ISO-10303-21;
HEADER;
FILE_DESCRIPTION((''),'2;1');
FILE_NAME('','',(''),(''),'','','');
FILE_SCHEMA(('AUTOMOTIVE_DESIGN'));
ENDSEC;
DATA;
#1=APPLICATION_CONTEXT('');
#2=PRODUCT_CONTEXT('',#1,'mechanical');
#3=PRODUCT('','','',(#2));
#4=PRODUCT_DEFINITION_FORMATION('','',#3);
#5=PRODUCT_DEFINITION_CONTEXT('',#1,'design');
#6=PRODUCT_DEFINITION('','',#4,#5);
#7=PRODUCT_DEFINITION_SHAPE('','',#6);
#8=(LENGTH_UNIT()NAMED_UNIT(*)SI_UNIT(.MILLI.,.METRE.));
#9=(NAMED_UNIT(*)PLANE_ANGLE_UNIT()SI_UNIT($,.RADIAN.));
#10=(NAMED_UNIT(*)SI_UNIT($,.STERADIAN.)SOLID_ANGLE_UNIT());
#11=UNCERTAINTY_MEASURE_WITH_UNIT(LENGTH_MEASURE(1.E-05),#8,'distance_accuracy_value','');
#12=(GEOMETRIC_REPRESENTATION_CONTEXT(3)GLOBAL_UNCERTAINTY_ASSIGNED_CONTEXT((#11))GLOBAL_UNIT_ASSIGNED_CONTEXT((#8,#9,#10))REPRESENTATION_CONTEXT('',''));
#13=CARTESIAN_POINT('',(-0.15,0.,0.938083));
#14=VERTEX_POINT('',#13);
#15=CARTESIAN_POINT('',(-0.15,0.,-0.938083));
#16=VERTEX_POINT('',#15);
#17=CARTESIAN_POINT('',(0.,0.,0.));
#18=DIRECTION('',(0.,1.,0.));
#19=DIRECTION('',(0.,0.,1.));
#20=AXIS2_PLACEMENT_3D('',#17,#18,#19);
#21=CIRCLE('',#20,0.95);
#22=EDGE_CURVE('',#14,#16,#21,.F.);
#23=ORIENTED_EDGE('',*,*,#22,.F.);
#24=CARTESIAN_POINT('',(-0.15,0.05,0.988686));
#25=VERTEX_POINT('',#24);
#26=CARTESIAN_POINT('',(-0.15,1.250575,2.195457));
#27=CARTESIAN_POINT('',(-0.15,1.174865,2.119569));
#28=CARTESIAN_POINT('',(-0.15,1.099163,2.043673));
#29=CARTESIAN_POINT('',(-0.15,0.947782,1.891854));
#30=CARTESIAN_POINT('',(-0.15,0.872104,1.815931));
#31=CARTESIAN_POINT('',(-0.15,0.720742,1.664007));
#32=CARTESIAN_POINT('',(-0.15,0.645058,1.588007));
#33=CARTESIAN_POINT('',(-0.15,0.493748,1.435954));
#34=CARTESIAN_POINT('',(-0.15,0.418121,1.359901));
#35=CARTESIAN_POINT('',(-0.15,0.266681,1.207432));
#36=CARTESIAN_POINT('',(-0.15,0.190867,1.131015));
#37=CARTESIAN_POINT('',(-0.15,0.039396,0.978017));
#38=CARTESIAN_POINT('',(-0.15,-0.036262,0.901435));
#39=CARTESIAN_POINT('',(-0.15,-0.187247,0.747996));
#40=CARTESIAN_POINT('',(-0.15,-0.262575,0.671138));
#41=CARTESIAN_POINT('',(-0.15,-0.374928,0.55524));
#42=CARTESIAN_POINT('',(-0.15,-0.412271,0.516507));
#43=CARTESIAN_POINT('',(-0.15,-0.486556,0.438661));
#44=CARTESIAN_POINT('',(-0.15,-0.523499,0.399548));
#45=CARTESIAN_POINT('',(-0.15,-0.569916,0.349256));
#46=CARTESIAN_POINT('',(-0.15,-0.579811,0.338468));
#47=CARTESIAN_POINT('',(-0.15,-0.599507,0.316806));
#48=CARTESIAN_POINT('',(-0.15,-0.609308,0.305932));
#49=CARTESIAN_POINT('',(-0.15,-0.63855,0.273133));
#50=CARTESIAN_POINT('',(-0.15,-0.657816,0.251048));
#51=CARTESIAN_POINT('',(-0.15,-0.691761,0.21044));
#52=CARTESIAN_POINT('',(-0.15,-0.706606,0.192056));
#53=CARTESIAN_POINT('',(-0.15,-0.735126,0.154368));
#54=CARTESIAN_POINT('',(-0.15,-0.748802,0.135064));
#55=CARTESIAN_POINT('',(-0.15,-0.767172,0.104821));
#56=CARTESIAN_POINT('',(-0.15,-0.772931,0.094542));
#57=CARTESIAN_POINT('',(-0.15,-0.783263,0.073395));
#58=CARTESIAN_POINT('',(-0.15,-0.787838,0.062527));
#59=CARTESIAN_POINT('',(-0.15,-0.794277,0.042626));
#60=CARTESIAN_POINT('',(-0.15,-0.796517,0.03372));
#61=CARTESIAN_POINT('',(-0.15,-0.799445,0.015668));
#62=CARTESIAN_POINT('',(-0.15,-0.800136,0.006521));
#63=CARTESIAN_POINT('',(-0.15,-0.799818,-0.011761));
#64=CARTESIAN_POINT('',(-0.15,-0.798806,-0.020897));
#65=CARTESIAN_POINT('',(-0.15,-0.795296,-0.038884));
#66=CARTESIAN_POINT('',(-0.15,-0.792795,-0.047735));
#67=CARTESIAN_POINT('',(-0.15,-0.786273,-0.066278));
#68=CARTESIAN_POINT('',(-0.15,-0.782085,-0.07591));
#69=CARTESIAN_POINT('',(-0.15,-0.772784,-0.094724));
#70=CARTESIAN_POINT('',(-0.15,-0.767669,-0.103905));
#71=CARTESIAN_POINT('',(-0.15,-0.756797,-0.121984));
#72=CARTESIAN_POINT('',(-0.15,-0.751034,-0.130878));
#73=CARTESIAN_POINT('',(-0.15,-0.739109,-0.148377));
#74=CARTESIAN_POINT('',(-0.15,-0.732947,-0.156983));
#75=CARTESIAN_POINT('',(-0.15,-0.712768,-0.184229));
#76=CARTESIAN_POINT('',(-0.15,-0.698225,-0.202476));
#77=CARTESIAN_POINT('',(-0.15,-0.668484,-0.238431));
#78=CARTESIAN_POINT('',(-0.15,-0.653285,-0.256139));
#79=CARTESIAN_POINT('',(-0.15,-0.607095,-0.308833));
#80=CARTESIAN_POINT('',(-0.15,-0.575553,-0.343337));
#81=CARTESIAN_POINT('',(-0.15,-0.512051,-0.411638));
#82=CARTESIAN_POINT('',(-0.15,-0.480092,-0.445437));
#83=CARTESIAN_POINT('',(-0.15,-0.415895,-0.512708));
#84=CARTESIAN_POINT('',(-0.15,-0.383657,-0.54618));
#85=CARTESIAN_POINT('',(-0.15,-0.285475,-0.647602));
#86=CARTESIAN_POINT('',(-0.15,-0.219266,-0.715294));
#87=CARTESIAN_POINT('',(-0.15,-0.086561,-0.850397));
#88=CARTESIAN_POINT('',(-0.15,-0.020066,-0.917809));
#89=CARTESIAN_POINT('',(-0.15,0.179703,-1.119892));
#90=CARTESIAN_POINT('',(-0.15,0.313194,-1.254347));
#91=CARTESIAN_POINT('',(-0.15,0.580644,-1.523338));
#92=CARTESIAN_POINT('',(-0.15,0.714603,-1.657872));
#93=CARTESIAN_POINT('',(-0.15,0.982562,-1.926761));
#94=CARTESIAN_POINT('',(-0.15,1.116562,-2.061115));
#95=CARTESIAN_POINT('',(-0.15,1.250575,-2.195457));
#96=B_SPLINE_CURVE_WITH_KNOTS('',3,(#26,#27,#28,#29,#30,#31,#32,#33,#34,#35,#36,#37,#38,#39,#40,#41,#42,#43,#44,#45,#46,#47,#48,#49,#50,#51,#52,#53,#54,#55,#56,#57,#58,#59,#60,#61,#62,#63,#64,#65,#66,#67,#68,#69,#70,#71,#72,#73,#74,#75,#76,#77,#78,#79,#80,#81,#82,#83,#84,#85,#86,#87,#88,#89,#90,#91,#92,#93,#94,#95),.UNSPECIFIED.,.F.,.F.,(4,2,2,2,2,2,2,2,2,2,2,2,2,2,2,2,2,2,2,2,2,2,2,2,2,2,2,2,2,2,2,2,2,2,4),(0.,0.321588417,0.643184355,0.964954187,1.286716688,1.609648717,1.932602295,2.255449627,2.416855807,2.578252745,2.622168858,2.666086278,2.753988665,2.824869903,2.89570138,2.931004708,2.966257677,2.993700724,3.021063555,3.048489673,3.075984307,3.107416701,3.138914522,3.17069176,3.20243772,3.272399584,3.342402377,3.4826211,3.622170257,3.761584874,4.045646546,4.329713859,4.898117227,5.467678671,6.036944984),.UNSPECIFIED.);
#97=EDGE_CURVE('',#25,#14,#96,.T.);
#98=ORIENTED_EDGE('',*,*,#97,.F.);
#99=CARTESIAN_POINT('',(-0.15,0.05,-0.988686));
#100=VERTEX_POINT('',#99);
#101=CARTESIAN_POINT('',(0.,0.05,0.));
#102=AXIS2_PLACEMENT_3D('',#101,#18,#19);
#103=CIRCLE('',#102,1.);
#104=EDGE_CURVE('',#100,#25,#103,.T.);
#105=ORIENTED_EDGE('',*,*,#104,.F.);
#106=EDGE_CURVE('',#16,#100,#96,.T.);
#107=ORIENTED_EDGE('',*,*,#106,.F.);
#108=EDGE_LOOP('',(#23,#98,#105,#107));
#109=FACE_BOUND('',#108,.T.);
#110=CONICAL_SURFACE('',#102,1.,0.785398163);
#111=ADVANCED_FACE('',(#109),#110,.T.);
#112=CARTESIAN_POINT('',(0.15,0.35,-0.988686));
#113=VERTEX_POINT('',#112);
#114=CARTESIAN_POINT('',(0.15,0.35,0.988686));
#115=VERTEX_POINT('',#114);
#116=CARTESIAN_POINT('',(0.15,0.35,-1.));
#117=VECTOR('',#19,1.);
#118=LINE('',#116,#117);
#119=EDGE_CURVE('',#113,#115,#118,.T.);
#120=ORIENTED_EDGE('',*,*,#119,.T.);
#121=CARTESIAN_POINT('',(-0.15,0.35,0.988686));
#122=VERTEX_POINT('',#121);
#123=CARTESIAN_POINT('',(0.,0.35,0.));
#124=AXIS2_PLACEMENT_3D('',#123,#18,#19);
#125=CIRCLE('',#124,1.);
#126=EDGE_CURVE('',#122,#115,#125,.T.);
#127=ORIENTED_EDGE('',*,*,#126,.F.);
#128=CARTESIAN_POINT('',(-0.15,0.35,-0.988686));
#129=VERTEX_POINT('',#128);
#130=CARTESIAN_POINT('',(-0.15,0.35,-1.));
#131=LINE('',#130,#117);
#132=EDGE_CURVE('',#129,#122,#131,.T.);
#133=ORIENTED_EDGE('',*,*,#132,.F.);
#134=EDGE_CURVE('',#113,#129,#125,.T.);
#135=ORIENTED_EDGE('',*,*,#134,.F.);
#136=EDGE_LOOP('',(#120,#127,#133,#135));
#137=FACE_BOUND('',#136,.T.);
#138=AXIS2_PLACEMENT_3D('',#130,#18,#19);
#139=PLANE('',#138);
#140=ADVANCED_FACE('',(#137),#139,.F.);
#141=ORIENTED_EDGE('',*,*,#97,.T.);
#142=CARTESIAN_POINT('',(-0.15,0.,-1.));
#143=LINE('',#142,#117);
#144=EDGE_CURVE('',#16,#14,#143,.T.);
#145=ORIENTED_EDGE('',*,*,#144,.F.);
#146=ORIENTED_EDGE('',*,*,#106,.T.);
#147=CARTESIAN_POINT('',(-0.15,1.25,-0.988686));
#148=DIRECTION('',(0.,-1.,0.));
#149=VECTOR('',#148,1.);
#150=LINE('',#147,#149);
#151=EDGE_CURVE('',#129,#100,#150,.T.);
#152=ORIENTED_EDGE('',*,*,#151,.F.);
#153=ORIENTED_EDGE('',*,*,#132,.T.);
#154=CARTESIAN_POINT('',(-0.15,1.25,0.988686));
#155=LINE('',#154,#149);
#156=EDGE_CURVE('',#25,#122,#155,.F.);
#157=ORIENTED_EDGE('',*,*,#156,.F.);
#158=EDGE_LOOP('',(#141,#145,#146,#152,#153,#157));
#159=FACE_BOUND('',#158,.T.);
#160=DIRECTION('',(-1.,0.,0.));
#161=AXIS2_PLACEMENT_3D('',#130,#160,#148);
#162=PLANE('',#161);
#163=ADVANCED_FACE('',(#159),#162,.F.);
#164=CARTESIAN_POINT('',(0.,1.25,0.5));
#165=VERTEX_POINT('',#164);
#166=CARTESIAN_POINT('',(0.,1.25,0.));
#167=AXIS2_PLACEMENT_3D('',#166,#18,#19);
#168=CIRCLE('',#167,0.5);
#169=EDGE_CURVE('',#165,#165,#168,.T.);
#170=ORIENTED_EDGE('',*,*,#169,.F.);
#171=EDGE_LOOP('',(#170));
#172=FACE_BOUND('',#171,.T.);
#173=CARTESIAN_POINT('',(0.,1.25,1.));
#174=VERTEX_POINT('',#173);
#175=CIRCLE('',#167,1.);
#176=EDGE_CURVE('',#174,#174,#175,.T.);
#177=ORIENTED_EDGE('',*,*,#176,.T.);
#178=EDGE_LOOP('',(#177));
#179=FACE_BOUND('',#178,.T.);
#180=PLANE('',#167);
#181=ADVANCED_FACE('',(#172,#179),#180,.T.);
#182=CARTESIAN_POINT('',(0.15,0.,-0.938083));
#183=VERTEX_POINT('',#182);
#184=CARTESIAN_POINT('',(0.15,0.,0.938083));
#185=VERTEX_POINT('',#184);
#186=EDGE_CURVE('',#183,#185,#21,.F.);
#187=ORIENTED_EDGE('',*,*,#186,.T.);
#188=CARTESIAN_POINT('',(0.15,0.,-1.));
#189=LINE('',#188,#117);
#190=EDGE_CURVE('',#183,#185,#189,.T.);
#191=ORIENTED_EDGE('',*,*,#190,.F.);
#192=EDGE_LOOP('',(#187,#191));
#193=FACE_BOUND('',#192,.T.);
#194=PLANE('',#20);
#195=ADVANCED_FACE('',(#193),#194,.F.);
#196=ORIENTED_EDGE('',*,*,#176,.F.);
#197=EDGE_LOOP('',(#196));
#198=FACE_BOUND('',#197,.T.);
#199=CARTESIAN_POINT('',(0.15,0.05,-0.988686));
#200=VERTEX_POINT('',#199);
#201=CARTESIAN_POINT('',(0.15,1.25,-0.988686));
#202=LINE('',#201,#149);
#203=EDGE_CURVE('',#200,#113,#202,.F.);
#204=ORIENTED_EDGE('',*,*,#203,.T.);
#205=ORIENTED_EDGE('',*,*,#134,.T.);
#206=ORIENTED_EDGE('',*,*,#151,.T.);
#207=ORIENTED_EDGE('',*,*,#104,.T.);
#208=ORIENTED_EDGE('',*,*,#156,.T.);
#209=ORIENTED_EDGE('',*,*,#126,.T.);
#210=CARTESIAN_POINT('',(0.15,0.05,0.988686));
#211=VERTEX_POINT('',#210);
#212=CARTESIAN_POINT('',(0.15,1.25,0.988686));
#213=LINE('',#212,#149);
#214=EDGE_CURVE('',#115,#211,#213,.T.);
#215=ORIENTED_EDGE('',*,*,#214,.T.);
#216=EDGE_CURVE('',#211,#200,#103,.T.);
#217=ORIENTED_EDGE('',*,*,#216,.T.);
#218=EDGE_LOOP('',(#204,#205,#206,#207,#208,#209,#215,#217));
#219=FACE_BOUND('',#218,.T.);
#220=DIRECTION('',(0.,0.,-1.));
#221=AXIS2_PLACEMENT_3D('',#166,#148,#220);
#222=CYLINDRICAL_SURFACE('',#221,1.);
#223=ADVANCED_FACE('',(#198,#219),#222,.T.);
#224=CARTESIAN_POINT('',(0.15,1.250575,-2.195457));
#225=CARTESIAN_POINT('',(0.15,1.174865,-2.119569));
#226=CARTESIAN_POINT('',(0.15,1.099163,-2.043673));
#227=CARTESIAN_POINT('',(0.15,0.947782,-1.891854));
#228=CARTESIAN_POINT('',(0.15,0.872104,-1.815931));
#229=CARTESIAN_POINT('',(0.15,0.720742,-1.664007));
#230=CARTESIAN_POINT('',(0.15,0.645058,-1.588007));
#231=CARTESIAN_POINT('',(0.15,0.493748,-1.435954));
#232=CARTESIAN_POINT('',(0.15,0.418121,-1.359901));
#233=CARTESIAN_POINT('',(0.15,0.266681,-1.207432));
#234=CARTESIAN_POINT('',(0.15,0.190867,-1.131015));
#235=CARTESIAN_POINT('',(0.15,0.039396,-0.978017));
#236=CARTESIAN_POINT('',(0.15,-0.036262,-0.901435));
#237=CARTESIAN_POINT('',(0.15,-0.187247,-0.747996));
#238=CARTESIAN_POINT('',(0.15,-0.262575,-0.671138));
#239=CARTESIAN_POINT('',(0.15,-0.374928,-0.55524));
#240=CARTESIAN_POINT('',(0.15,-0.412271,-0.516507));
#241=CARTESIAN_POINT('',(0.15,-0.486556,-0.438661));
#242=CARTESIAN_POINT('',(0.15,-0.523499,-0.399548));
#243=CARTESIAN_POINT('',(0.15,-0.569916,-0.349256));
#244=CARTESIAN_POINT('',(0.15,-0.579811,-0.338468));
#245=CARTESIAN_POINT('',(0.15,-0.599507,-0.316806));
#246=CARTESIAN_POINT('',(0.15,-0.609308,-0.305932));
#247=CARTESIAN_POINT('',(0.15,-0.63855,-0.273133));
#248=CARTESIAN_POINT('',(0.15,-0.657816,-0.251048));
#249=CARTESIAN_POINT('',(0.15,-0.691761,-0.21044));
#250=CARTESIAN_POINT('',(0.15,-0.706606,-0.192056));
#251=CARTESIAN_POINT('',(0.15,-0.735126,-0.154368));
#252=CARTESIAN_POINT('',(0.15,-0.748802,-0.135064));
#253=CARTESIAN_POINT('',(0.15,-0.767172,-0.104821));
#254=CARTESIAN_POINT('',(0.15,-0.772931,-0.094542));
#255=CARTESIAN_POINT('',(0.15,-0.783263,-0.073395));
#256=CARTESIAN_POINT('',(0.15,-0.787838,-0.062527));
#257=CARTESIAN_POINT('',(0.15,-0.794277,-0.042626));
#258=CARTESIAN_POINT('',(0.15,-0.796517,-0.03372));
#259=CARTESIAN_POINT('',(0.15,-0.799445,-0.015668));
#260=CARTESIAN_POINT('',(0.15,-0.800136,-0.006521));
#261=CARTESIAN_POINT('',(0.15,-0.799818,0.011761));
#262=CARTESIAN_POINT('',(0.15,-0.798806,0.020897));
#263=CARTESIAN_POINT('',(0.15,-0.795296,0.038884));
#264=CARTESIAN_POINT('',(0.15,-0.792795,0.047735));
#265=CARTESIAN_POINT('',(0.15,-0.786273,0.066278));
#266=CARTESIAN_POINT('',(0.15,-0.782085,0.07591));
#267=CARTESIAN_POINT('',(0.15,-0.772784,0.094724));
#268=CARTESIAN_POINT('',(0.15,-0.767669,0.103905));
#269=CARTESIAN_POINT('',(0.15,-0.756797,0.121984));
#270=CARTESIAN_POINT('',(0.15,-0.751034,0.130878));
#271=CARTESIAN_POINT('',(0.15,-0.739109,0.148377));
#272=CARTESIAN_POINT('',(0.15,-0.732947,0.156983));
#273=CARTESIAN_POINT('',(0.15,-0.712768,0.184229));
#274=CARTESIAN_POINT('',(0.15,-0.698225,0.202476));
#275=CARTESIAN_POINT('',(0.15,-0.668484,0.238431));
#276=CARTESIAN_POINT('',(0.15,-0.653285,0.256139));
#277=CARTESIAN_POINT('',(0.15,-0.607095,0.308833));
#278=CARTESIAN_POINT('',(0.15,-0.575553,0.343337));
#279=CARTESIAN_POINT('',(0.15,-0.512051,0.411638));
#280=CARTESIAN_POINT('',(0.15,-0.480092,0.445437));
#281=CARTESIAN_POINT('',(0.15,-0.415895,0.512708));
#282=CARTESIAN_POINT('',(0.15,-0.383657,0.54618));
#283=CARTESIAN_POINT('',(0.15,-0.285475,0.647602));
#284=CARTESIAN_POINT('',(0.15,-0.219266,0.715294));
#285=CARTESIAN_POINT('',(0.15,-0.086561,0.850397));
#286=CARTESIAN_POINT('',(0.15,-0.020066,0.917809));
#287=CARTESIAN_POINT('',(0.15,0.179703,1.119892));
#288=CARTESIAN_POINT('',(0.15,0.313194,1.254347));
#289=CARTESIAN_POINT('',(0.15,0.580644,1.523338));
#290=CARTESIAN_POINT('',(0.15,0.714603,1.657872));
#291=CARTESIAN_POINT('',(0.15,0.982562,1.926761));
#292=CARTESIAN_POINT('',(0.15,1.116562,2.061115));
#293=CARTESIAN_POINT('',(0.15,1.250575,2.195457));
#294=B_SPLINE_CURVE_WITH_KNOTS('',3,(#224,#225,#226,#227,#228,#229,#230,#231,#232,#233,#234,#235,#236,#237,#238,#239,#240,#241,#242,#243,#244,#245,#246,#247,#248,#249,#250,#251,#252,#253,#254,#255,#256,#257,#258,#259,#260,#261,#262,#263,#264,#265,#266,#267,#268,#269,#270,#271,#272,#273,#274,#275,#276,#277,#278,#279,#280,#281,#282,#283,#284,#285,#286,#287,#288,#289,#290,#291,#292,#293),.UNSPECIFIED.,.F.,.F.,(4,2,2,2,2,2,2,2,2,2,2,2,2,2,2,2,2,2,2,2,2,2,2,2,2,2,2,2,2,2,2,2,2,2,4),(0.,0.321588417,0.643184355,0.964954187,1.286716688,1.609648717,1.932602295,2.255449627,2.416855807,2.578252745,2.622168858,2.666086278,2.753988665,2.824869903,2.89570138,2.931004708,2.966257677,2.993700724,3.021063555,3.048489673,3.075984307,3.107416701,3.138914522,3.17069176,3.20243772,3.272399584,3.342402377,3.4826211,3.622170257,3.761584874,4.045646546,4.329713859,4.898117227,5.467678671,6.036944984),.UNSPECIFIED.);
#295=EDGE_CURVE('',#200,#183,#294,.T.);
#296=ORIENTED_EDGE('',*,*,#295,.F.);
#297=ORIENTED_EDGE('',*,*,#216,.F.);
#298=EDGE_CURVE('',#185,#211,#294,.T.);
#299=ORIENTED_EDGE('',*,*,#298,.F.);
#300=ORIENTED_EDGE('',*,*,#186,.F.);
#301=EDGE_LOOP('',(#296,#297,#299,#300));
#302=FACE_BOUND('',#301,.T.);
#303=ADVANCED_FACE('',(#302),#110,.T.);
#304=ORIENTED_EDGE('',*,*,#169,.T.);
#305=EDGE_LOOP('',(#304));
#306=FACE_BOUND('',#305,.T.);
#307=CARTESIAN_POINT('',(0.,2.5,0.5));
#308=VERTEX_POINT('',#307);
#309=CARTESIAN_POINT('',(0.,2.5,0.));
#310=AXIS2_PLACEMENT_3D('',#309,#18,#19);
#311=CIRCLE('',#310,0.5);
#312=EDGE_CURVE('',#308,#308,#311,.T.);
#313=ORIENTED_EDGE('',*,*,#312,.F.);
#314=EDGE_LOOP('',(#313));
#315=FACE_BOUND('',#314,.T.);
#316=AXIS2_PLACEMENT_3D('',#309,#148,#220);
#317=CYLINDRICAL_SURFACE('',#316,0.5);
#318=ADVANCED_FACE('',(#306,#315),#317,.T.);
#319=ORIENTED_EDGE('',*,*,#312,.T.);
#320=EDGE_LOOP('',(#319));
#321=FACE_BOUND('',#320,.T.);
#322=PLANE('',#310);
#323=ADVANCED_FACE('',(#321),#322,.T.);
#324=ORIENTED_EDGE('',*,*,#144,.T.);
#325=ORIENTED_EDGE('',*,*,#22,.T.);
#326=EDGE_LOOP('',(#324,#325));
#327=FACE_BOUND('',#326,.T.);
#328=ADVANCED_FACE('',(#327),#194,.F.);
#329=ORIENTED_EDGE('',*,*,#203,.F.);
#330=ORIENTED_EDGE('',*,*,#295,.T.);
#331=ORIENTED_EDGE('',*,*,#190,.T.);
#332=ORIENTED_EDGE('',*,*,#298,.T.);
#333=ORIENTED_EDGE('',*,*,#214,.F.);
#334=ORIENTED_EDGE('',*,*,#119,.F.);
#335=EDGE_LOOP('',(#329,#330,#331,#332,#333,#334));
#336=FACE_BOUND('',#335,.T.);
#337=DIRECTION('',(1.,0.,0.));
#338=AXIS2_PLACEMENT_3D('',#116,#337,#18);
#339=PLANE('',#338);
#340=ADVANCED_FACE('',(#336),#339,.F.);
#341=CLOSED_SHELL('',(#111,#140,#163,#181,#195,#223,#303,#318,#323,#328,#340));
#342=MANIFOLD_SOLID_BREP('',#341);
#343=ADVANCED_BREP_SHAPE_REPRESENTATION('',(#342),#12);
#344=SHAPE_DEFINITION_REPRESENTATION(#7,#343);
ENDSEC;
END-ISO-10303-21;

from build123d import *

# Parameters (mm, degrees)
SKETCH2_R               = 1
BOSS_EXTRUDE1_DEPTH     = 1.25
SKETCH3_R               = 0.5
BOSS_EXTRUDE2_DEPTH     = 1.25
CHAMFER1_SIZE           = 0.05
SKETCH4_W               = 0.3
SKETCH4_H               = 0.35
CUT_EXTRUDE1_DEPTH      = 2
CUT_EXTRUDE1_DEPTH_BACK = 2


with BuildPart() as part:
    # Sketch2 → Boss-Extrude1 (new body)
    with BuildSketch(Plane(origin=(0, 0, 0), x_dir=(1, 0, 0), z_dir=(0, 1, 0))):
        Circle(SKETCH2_R)
    extrude(amount=BOSS_EXTRUDE1_DEPTH)

    # Sketch3 → Boss-Extrude2 (add)
    with BuildSketch(Plane(origin=(0, 1.25, 0), x_dir=(1, 0, 0), z_dir=(0, 1, 0))):
        Circle(SKETCH3_R)
    extrude(amount=BOSS_EXTRUDE2_DEPTH)

    # Chamfer1
    chamfer1_edges = [part.edges().sort_by_distance(p)[0] for p in [
        (-1, 0, 0),
    ]]
    chamfer(chamfer1_edges, length=CHAMFER1_SIZE)

    # Sketch4 → Cut-Extrude1 (cut, two sides)
    with BuildSketch(Plane.XY) as cut_extrude1_sk:
        with Locations((0, 0.175)):
            Rectangle(SKETCH4_W, SKETCH4_H)
    extrude(amount=CUT_EXTRUDE1_DEPTH, mode=Mode.SUBTRACT)
    extrude(cut_extrude1_sk.sketch, amount=-CUT_EXTRUDE1_DEPTH_BACK, mode=Mode.SUBTRACT)


solid = part.part
